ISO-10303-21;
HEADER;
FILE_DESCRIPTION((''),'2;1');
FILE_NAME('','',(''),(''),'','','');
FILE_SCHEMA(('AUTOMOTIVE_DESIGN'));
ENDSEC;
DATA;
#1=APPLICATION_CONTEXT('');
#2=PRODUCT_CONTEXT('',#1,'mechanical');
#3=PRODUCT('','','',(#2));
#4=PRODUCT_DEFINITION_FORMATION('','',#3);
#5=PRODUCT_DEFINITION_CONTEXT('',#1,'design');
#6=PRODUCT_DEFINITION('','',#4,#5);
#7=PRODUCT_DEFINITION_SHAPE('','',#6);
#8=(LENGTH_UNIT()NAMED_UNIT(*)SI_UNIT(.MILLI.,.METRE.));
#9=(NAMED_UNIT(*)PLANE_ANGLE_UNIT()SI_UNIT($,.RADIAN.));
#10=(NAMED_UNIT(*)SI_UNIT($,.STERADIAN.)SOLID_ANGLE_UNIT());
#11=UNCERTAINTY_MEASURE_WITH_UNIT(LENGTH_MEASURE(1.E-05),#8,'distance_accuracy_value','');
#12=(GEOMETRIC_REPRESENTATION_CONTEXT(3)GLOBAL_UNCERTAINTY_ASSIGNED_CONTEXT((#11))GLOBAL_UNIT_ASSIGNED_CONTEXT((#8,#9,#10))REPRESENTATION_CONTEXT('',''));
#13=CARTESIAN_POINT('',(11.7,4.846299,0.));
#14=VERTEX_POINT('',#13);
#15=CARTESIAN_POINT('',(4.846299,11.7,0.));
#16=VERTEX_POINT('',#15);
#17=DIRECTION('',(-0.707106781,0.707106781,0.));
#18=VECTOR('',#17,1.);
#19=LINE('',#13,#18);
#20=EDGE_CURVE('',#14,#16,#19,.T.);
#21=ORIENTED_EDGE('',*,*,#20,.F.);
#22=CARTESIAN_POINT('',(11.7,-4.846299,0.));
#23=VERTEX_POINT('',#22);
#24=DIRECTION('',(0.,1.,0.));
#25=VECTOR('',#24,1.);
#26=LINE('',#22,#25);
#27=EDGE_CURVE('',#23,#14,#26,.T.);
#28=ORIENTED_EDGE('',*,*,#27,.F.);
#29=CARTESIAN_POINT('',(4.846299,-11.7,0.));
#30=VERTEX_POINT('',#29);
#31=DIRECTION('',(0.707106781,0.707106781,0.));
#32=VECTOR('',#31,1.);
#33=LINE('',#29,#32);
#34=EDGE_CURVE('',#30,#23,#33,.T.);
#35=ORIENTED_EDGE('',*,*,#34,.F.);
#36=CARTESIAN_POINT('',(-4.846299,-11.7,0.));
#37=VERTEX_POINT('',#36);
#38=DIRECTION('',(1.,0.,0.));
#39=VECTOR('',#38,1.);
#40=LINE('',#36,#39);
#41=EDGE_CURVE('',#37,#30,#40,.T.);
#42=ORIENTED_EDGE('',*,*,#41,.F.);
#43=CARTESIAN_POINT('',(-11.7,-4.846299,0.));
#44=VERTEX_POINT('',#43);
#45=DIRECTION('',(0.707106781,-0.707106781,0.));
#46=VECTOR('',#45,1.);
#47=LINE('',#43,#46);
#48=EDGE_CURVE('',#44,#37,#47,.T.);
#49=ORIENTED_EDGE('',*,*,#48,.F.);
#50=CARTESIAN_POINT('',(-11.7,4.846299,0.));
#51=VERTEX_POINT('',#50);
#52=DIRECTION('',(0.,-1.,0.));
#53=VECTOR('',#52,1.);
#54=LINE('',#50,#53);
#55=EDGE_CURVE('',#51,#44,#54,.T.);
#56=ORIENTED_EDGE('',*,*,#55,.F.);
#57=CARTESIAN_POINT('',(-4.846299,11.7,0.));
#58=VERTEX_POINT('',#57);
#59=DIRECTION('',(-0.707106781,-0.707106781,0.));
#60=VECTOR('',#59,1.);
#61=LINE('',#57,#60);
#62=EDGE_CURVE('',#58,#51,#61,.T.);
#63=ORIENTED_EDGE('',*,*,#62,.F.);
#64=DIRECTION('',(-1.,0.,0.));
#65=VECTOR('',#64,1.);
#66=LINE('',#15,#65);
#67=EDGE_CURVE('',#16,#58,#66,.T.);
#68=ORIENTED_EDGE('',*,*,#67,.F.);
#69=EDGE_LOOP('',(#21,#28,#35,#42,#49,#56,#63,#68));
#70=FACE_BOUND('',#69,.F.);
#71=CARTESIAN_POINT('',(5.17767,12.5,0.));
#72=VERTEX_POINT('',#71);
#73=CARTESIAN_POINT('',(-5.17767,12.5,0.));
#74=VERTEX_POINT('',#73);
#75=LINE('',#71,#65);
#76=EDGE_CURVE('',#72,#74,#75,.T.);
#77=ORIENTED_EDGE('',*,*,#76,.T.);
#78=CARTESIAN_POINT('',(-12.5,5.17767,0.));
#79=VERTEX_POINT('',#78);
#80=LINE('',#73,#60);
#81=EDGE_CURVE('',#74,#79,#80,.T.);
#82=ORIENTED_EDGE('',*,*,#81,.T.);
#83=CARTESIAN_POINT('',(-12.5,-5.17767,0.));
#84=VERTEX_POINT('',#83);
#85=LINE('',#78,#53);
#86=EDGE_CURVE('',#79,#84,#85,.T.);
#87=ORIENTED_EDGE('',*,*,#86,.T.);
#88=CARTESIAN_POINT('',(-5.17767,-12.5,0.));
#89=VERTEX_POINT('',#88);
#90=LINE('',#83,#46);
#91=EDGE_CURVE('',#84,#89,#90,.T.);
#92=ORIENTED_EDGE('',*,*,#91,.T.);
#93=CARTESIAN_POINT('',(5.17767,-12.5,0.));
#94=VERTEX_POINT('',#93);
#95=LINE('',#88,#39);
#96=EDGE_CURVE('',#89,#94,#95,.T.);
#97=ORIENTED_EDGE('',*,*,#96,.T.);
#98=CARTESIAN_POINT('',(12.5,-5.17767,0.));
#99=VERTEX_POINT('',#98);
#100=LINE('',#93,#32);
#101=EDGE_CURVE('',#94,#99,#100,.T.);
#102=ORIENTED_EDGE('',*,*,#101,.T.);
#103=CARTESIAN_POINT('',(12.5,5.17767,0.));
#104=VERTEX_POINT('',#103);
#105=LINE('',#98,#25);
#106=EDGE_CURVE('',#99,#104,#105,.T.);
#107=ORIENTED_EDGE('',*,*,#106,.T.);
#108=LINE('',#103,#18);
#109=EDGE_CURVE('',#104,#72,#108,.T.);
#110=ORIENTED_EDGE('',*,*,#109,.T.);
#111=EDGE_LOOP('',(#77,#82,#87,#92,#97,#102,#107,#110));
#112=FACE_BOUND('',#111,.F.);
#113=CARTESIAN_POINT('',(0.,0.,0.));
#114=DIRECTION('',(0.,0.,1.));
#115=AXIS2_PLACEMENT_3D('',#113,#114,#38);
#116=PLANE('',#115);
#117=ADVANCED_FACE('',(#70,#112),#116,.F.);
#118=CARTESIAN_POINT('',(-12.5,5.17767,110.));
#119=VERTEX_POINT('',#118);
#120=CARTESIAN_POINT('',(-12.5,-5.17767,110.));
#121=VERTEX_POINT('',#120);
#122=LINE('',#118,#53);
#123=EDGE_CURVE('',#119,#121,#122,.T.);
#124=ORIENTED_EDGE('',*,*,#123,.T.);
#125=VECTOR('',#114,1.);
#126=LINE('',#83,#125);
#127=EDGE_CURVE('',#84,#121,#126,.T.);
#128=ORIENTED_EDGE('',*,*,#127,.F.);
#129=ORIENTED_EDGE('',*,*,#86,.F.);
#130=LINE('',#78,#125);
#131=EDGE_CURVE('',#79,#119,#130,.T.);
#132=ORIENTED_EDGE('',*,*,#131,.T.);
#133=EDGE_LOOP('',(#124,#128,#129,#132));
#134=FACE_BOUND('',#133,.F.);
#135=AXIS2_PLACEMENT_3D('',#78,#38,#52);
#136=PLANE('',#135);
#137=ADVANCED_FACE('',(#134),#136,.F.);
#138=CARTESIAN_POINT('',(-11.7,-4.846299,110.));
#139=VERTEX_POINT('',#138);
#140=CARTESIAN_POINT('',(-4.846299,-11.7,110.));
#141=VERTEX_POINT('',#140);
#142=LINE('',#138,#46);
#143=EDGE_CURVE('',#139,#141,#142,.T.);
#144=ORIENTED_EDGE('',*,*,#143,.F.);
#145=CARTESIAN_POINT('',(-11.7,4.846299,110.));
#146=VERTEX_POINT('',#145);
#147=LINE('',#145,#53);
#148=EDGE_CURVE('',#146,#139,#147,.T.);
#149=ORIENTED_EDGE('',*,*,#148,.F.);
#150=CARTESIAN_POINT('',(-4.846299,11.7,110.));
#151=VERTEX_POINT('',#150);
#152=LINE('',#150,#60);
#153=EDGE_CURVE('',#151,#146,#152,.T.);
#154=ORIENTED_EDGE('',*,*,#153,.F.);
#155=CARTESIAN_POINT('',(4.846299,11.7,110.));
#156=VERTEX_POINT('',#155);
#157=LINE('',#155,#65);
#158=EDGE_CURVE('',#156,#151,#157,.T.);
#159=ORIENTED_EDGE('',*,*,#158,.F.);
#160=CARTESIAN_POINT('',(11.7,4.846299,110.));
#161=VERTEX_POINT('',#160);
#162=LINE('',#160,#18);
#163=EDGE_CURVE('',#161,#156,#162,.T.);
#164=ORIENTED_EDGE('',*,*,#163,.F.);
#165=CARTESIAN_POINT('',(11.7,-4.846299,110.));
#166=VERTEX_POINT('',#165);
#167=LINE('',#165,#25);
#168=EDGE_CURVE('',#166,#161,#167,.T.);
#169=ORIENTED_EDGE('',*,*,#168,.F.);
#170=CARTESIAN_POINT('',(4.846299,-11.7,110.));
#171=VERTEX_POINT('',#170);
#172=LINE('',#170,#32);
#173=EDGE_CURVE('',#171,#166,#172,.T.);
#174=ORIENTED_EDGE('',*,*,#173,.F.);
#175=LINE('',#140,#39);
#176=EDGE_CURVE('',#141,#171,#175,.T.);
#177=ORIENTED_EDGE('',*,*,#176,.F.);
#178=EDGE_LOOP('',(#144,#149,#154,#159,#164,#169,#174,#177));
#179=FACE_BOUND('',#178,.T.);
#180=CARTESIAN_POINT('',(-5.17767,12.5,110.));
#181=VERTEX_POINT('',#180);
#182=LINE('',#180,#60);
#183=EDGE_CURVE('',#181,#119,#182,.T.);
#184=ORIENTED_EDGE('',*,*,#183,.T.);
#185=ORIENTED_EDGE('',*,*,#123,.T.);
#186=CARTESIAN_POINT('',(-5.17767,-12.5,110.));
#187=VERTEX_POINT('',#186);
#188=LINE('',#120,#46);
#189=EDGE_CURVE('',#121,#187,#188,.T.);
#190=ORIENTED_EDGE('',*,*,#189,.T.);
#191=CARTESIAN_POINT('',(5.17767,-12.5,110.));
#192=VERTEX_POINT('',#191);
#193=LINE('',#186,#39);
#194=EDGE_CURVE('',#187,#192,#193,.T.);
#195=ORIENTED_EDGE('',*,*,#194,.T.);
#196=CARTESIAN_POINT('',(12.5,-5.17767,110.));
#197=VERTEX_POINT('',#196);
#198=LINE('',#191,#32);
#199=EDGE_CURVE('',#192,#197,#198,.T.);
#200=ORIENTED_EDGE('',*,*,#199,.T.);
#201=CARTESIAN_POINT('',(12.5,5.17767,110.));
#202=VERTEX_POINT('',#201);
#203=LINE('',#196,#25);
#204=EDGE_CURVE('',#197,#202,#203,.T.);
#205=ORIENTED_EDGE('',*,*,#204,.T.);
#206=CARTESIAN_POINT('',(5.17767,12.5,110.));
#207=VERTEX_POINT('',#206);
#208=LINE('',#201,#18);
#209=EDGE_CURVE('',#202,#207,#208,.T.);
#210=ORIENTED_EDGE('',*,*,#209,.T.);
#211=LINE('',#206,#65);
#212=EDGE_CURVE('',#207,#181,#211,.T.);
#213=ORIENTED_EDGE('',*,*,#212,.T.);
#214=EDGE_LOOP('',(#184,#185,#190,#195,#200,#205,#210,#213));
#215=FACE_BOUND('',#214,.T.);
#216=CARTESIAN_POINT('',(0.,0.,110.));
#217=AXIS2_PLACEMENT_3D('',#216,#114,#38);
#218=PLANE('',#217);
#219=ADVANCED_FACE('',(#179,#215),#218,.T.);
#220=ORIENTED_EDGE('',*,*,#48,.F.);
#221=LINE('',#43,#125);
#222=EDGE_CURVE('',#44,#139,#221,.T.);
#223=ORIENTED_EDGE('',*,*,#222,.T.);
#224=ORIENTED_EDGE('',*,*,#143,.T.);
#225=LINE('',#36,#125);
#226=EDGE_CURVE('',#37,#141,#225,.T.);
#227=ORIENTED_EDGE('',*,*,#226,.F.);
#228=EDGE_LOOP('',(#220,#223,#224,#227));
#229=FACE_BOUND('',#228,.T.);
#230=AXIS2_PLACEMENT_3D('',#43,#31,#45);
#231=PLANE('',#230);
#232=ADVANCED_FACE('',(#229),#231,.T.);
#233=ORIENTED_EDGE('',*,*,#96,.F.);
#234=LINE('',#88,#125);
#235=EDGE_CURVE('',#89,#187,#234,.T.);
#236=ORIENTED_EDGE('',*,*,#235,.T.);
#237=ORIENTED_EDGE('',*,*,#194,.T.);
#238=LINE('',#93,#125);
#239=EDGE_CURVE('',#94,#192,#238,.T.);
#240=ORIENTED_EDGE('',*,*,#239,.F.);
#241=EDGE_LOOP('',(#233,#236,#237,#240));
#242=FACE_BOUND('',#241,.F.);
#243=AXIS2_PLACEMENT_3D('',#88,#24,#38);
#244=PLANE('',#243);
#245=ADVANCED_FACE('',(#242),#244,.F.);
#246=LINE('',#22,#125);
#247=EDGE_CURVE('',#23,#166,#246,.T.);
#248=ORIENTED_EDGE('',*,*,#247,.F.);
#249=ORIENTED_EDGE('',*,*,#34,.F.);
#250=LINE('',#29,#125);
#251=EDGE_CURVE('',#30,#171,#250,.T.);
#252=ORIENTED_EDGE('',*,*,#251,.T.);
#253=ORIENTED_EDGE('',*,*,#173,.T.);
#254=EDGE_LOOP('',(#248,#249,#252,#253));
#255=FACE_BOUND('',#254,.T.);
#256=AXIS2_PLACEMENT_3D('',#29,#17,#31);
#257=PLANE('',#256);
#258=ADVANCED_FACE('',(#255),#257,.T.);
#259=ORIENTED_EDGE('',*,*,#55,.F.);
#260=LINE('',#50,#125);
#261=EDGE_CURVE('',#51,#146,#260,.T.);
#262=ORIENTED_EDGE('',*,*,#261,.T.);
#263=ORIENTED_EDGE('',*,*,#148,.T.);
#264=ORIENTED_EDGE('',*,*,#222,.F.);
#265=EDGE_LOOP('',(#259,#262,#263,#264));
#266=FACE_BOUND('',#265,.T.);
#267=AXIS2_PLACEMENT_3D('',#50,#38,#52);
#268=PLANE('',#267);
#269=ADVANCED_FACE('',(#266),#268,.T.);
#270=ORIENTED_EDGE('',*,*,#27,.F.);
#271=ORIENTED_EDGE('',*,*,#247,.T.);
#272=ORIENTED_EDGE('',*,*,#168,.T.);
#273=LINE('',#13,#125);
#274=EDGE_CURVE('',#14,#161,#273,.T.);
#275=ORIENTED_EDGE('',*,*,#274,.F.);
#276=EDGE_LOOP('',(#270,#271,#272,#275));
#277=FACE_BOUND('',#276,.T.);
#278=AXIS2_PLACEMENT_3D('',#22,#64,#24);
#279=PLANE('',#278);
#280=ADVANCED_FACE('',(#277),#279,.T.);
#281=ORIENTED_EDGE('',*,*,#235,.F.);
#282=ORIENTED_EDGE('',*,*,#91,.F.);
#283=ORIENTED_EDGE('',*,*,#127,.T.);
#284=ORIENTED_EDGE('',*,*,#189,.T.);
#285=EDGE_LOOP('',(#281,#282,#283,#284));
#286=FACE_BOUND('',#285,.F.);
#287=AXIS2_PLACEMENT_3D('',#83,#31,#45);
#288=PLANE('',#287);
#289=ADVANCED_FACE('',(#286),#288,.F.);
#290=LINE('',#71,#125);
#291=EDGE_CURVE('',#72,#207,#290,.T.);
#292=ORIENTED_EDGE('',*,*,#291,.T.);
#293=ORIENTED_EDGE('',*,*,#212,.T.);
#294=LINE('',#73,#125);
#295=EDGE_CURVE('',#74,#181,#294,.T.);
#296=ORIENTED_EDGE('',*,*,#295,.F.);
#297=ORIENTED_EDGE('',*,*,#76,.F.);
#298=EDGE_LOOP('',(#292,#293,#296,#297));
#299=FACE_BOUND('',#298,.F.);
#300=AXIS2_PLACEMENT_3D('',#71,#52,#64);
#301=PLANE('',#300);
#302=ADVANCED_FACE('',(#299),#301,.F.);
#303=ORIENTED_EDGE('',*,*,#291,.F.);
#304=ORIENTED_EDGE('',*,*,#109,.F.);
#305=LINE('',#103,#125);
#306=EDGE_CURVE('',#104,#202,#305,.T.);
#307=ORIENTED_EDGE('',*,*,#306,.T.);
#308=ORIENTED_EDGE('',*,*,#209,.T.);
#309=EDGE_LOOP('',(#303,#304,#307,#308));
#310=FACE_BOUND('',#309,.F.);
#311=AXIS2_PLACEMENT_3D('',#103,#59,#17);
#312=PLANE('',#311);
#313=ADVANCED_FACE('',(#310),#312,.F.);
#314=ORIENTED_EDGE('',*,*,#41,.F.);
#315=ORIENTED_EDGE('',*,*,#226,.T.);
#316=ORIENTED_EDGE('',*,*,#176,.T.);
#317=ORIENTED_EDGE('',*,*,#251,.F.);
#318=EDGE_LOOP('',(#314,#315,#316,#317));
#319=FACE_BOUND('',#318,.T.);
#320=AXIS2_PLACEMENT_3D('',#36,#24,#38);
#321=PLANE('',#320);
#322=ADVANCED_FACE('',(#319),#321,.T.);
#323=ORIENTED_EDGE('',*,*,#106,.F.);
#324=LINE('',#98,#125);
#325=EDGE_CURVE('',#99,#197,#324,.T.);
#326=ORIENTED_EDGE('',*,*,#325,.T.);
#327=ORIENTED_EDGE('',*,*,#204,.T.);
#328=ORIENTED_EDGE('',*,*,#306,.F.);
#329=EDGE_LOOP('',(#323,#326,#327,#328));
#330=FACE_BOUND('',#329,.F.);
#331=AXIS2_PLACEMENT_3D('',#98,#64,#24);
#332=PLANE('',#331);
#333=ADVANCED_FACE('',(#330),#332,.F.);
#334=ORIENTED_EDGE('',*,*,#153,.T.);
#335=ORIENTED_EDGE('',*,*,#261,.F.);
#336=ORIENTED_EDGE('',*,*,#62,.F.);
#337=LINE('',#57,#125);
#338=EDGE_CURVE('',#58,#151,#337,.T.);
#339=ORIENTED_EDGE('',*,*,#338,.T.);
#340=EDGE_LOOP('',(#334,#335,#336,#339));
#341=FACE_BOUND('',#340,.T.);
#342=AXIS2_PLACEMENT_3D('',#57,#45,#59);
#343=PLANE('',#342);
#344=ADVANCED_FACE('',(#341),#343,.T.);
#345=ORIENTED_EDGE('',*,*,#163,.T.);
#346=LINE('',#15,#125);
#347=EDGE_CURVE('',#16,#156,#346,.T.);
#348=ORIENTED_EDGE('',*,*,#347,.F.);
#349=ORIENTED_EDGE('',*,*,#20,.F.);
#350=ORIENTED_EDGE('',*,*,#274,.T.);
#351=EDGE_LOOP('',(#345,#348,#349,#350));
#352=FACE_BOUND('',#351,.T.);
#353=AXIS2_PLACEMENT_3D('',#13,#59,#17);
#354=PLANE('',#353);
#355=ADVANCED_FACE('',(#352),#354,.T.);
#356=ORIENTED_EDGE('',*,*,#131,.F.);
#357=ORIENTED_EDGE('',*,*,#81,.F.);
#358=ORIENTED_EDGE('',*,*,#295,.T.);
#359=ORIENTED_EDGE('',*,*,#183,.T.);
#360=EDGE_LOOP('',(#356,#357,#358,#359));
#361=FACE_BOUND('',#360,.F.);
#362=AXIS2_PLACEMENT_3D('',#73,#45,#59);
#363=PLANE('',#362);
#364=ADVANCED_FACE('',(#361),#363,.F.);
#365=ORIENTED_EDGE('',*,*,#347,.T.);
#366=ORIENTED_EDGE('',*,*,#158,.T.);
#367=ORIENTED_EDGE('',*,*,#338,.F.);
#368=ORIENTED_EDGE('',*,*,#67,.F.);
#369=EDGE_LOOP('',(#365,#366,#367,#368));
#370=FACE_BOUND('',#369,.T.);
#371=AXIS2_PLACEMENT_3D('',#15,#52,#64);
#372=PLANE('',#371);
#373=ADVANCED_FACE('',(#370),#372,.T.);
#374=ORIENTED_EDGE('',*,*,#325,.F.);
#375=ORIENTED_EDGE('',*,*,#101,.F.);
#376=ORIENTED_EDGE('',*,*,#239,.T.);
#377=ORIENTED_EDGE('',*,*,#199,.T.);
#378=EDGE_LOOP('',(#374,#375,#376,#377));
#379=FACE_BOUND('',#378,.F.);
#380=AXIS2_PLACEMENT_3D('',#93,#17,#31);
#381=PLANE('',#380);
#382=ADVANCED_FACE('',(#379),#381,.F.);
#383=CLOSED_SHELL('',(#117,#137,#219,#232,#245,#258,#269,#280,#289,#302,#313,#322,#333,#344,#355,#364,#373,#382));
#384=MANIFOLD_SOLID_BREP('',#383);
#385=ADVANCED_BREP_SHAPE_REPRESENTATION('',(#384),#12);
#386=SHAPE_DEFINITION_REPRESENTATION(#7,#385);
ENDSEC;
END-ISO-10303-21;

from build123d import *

# Parameters (mm, degrees)
PAD_DEPTH = 110


with BuildPart() as part:
    # Sketch → Pad (new body)
    with BuildSketch(Plane.XY):
        Polygon((-12.5, 5.17767), (-12.5, -5.17767), (-5.17767, -12.5), (5.17767, -12.5), (12.5, -5.17767), (12.5, 5.17767), (5.17767, 12.5), (-5.17767, 12.5), align=None)
        Polygon((11.7, -4.846299), (11.7, 4.846299), (4.846299, 11.7), (-4.846299, 11.7), (-11.7, 4.846299), (-11.7, -4.846299), (-4.846299, -11.7), (4.846299, -11.7), align=None, mode=Mode.SUBTRACT)
    extrude(amount=PAD_DEPTH)


solid = part.part
